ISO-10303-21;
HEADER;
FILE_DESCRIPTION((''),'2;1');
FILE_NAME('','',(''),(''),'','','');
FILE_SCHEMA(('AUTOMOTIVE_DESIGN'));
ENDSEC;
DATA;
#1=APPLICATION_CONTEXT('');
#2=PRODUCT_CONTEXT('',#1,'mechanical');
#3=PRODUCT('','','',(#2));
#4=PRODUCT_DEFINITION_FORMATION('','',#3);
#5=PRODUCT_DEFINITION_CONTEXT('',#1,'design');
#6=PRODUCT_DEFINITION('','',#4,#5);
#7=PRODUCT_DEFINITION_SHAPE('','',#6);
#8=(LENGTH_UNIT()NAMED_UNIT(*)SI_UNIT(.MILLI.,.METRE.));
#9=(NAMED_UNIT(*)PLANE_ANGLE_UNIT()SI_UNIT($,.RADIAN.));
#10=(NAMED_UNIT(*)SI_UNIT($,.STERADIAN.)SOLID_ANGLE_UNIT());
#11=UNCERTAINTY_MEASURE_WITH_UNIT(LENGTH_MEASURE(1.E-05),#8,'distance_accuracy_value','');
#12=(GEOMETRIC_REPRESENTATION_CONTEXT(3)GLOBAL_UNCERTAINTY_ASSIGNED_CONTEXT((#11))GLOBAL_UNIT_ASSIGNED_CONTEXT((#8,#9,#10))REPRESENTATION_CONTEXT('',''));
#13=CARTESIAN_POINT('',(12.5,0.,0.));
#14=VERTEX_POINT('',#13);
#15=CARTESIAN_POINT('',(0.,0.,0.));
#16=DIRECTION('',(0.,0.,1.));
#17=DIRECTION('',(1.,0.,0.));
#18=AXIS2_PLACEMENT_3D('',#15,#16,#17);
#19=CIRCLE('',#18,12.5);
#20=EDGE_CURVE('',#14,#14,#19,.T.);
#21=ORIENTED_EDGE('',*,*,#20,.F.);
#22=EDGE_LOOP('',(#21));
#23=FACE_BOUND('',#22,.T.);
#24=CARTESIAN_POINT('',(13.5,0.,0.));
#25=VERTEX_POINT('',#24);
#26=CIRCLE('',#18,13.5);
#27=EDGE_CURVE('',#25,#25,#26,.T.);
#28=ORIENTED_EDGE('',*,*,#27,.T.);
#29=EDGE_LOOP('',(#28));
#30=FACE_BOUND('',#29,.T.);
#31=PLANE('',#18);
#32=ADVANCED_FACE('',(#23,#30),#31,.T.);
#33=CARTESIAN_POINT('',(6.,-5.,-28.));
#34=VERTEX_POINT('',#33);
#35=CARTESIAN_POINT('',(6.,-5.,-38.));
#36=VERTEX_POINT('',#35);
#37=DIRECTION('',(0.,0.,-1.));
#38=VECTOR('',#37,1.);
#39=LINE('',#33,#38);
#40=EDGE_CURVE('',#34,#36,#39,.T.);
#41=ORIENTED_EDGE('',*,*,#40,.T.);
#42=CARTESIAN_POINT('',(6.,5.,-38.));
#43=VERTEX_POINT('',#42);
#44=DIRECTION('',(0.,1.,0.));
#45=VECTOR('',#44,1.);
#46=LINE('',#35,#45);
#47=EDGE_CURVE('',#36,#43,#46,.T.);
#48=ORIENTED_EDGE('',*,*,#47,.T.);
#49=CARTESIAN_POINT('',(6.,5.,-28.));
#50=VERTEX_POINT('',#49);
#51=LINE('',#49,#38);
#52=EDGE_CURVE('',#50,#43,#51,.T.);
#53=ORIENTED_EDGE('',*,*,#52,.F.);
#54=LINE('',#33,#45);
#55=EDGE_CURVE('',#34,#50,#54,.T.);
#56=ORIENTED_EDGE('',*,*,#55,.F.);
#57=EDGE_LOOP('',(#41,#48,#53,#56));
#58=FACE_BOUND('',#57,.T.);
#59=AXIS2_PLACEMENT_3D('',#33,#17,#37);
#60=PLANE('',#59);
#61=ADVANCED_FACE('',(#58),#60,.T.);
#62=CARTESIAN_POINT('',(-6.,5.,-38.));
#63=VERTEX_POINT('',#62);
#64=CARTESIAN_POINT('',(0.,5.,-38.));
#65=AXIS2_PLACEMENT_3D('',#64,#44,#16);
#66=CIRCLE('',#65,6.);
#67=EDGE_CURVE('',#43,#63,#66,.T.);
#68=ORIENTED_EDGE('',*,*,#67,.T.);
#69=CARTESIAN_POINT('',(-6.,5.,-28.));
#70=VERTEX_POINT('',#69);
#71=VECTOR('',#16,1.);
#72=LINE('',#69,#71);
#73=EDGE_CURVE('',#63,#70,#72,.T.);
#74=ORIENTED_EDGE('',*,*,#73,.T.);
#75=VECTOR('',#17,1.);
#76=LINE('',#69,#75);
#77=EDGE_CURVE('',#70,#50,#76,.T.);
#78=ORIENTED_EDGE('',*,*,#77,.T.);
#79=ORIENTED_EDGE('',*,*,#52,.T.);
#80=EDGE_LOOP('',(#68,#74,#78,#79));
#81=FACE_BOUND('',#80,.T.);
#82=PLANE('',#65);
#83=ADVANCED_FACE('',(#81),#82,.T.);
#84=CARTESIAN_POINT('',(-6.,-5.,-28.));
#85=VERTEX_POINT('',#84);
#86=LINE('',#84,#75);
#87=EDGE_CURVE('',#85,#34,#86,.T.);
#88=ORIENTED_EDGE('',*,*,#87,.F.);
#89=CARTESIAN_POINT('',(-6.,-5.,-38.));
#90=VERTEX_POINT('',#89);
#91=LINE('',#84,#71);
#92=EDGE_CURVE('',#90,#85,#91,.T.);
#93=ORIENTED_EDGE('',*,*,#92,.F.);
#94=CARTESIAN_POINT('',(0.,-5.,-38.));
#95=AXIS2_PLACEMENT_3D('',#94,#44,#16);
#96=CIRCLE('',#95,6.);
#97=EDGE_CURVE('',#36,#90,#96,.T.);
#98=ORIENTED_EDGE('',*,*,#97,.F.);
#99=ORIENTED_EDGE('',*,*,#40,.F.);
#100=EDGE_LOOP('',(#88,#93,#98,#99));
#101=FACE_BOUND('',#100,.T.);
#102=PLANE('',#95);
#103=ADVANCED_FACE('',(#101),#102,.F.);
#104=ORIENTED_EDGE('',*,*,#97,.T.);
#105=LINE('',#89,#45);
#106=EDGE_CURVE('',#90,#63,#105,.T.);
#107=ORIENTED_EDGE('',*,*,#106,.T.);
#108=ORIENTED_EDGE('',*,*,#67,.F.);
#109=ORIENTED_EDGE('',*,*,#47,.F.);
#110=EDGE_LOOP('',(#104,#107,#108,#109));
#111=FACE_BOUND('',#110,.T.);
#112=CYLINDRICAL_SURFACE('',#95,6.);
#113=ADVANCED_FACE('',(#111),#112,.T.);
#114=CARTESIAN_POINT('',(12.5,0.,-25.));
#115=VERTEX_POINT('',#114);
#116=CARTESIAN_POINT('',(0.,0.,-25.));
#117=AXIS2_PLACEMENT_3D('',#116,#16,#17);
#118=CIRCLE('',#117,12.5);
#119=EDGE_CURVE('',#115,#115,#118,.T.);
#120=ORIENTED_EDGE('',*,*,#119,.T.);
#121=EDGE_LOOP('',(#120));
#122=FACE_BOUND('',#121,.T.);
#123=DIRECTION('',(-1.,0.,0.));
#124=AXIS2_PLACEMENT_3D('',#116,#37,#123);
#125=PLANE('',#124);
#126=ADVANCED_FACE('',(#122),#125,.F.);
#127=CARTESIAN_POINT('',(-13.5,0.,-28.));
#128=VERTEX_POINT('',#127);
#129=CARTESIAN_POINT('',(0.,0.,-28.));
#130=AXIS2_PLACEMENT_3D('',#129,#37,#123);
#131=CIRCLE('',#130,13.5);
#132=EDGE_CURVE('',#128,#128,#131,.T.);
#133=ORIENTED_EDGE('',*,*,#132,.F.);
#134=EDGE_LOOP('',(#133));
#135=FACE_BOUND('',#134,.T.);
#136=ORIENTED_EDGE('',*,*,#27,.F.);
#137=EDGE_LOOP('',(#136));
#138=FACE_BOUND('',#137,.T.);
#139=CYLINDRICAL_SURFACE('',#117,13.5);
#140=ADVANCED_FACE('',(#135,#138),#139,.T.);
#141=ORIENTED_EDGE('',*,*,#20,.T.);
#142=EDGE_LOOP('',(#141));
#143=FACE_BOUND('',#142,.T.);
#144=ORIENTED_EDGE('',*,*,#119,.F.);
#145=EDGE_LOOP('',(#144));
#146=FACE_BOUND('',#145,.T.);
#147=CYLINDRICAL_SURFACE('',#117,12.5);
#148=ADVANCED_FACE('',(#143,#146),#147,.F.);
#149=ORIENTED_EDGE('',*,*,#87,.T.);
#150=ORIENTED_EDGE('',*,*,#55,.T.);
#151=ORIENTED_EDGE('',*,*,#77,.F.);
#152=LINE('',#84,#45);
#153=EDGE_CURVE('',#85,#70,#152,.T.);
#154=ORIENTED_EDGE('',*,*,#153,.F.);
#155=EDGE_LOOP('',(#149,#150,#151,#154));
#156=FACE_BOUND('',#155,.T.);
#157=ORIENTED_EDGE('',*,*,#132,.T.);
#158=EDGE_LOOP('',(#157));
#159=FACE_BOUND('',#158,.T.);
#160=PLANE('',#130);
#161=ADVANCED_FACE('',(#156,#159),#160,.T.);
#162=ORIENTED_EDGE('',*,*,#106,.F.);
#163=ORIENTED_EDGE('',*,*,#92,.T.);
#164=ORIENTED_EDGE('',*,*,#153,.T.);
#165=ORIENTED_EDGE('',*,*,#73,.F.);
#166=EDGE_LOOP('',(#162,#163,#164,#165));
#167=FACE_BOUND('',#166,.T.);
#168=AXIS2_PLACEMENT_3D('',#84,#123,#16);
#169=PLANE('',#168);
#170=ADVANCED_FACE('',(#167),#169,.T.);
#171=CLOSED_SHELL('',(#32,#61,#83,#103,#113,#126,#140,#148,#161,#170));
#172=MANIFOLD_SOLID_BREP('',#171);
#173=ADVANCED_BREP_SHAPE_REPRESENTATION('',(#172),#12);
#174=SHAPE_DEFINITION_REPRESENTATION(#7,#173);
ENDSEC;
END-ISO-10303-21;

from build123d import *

# Parameters (mm, degrees)
SKETCH_1_R           = 13.5
SKETCH_1_R_2         = 12.5
EXTRUDE_1_DEPTH      = 25
SKETCH_2_R           = 13.5
EXTRUDE_2_DEPTH      = 3
EXTRUDE_3_DEPTH      = 5
EXTRUDE_3_DEPTH_BACK = 5


with BuildPart() as part:
    # 草图1 → 凸台-拉伸1 (new body)
    with BuildSketch(Plane.XY):
        Circle(SKETCH_1_R)
        Circle(SKETCH_1_R_2, mode=Mode.SUBTRACT)
    extrude(amount=-EXTRUDE_1_DEPTH)

    # 草图2 → 凸台-拉伸2 (add)
    with BuildSketch(Plane(origin=(0, 0, -25), x_dir=(-1, 0, 0), z_dir=(0, 0, -1))):
        Circle(SKETCH_2_R)
    extrude(amount=EXTRUDE_2_DEPTH)

    # 草图3 → 凸台-拉伸3 (add, two sides: drawn at the far end of the back side and taken through both)
    with BuildSketch(Plane(origin=(0, 0, 0), x_dir=(1, 0, 0), z_dir=(0, 1, 0)).offset(-EXTRUDE_3_DEPTH_BACK)):
        with BuildLine():
            Line((-6, 28), (6, 28))
            Line((6, 28), (6, 38))
            ThreePointArc((6, 38), (0, 44), (-6, 38))
            Line((-6, 38), (-6, 28))
        make_face()
    extrude(amount=EXTRUDE_3_DEPTH + EXTRUDE_3_DEPTH_BACK)


solid = part.part
